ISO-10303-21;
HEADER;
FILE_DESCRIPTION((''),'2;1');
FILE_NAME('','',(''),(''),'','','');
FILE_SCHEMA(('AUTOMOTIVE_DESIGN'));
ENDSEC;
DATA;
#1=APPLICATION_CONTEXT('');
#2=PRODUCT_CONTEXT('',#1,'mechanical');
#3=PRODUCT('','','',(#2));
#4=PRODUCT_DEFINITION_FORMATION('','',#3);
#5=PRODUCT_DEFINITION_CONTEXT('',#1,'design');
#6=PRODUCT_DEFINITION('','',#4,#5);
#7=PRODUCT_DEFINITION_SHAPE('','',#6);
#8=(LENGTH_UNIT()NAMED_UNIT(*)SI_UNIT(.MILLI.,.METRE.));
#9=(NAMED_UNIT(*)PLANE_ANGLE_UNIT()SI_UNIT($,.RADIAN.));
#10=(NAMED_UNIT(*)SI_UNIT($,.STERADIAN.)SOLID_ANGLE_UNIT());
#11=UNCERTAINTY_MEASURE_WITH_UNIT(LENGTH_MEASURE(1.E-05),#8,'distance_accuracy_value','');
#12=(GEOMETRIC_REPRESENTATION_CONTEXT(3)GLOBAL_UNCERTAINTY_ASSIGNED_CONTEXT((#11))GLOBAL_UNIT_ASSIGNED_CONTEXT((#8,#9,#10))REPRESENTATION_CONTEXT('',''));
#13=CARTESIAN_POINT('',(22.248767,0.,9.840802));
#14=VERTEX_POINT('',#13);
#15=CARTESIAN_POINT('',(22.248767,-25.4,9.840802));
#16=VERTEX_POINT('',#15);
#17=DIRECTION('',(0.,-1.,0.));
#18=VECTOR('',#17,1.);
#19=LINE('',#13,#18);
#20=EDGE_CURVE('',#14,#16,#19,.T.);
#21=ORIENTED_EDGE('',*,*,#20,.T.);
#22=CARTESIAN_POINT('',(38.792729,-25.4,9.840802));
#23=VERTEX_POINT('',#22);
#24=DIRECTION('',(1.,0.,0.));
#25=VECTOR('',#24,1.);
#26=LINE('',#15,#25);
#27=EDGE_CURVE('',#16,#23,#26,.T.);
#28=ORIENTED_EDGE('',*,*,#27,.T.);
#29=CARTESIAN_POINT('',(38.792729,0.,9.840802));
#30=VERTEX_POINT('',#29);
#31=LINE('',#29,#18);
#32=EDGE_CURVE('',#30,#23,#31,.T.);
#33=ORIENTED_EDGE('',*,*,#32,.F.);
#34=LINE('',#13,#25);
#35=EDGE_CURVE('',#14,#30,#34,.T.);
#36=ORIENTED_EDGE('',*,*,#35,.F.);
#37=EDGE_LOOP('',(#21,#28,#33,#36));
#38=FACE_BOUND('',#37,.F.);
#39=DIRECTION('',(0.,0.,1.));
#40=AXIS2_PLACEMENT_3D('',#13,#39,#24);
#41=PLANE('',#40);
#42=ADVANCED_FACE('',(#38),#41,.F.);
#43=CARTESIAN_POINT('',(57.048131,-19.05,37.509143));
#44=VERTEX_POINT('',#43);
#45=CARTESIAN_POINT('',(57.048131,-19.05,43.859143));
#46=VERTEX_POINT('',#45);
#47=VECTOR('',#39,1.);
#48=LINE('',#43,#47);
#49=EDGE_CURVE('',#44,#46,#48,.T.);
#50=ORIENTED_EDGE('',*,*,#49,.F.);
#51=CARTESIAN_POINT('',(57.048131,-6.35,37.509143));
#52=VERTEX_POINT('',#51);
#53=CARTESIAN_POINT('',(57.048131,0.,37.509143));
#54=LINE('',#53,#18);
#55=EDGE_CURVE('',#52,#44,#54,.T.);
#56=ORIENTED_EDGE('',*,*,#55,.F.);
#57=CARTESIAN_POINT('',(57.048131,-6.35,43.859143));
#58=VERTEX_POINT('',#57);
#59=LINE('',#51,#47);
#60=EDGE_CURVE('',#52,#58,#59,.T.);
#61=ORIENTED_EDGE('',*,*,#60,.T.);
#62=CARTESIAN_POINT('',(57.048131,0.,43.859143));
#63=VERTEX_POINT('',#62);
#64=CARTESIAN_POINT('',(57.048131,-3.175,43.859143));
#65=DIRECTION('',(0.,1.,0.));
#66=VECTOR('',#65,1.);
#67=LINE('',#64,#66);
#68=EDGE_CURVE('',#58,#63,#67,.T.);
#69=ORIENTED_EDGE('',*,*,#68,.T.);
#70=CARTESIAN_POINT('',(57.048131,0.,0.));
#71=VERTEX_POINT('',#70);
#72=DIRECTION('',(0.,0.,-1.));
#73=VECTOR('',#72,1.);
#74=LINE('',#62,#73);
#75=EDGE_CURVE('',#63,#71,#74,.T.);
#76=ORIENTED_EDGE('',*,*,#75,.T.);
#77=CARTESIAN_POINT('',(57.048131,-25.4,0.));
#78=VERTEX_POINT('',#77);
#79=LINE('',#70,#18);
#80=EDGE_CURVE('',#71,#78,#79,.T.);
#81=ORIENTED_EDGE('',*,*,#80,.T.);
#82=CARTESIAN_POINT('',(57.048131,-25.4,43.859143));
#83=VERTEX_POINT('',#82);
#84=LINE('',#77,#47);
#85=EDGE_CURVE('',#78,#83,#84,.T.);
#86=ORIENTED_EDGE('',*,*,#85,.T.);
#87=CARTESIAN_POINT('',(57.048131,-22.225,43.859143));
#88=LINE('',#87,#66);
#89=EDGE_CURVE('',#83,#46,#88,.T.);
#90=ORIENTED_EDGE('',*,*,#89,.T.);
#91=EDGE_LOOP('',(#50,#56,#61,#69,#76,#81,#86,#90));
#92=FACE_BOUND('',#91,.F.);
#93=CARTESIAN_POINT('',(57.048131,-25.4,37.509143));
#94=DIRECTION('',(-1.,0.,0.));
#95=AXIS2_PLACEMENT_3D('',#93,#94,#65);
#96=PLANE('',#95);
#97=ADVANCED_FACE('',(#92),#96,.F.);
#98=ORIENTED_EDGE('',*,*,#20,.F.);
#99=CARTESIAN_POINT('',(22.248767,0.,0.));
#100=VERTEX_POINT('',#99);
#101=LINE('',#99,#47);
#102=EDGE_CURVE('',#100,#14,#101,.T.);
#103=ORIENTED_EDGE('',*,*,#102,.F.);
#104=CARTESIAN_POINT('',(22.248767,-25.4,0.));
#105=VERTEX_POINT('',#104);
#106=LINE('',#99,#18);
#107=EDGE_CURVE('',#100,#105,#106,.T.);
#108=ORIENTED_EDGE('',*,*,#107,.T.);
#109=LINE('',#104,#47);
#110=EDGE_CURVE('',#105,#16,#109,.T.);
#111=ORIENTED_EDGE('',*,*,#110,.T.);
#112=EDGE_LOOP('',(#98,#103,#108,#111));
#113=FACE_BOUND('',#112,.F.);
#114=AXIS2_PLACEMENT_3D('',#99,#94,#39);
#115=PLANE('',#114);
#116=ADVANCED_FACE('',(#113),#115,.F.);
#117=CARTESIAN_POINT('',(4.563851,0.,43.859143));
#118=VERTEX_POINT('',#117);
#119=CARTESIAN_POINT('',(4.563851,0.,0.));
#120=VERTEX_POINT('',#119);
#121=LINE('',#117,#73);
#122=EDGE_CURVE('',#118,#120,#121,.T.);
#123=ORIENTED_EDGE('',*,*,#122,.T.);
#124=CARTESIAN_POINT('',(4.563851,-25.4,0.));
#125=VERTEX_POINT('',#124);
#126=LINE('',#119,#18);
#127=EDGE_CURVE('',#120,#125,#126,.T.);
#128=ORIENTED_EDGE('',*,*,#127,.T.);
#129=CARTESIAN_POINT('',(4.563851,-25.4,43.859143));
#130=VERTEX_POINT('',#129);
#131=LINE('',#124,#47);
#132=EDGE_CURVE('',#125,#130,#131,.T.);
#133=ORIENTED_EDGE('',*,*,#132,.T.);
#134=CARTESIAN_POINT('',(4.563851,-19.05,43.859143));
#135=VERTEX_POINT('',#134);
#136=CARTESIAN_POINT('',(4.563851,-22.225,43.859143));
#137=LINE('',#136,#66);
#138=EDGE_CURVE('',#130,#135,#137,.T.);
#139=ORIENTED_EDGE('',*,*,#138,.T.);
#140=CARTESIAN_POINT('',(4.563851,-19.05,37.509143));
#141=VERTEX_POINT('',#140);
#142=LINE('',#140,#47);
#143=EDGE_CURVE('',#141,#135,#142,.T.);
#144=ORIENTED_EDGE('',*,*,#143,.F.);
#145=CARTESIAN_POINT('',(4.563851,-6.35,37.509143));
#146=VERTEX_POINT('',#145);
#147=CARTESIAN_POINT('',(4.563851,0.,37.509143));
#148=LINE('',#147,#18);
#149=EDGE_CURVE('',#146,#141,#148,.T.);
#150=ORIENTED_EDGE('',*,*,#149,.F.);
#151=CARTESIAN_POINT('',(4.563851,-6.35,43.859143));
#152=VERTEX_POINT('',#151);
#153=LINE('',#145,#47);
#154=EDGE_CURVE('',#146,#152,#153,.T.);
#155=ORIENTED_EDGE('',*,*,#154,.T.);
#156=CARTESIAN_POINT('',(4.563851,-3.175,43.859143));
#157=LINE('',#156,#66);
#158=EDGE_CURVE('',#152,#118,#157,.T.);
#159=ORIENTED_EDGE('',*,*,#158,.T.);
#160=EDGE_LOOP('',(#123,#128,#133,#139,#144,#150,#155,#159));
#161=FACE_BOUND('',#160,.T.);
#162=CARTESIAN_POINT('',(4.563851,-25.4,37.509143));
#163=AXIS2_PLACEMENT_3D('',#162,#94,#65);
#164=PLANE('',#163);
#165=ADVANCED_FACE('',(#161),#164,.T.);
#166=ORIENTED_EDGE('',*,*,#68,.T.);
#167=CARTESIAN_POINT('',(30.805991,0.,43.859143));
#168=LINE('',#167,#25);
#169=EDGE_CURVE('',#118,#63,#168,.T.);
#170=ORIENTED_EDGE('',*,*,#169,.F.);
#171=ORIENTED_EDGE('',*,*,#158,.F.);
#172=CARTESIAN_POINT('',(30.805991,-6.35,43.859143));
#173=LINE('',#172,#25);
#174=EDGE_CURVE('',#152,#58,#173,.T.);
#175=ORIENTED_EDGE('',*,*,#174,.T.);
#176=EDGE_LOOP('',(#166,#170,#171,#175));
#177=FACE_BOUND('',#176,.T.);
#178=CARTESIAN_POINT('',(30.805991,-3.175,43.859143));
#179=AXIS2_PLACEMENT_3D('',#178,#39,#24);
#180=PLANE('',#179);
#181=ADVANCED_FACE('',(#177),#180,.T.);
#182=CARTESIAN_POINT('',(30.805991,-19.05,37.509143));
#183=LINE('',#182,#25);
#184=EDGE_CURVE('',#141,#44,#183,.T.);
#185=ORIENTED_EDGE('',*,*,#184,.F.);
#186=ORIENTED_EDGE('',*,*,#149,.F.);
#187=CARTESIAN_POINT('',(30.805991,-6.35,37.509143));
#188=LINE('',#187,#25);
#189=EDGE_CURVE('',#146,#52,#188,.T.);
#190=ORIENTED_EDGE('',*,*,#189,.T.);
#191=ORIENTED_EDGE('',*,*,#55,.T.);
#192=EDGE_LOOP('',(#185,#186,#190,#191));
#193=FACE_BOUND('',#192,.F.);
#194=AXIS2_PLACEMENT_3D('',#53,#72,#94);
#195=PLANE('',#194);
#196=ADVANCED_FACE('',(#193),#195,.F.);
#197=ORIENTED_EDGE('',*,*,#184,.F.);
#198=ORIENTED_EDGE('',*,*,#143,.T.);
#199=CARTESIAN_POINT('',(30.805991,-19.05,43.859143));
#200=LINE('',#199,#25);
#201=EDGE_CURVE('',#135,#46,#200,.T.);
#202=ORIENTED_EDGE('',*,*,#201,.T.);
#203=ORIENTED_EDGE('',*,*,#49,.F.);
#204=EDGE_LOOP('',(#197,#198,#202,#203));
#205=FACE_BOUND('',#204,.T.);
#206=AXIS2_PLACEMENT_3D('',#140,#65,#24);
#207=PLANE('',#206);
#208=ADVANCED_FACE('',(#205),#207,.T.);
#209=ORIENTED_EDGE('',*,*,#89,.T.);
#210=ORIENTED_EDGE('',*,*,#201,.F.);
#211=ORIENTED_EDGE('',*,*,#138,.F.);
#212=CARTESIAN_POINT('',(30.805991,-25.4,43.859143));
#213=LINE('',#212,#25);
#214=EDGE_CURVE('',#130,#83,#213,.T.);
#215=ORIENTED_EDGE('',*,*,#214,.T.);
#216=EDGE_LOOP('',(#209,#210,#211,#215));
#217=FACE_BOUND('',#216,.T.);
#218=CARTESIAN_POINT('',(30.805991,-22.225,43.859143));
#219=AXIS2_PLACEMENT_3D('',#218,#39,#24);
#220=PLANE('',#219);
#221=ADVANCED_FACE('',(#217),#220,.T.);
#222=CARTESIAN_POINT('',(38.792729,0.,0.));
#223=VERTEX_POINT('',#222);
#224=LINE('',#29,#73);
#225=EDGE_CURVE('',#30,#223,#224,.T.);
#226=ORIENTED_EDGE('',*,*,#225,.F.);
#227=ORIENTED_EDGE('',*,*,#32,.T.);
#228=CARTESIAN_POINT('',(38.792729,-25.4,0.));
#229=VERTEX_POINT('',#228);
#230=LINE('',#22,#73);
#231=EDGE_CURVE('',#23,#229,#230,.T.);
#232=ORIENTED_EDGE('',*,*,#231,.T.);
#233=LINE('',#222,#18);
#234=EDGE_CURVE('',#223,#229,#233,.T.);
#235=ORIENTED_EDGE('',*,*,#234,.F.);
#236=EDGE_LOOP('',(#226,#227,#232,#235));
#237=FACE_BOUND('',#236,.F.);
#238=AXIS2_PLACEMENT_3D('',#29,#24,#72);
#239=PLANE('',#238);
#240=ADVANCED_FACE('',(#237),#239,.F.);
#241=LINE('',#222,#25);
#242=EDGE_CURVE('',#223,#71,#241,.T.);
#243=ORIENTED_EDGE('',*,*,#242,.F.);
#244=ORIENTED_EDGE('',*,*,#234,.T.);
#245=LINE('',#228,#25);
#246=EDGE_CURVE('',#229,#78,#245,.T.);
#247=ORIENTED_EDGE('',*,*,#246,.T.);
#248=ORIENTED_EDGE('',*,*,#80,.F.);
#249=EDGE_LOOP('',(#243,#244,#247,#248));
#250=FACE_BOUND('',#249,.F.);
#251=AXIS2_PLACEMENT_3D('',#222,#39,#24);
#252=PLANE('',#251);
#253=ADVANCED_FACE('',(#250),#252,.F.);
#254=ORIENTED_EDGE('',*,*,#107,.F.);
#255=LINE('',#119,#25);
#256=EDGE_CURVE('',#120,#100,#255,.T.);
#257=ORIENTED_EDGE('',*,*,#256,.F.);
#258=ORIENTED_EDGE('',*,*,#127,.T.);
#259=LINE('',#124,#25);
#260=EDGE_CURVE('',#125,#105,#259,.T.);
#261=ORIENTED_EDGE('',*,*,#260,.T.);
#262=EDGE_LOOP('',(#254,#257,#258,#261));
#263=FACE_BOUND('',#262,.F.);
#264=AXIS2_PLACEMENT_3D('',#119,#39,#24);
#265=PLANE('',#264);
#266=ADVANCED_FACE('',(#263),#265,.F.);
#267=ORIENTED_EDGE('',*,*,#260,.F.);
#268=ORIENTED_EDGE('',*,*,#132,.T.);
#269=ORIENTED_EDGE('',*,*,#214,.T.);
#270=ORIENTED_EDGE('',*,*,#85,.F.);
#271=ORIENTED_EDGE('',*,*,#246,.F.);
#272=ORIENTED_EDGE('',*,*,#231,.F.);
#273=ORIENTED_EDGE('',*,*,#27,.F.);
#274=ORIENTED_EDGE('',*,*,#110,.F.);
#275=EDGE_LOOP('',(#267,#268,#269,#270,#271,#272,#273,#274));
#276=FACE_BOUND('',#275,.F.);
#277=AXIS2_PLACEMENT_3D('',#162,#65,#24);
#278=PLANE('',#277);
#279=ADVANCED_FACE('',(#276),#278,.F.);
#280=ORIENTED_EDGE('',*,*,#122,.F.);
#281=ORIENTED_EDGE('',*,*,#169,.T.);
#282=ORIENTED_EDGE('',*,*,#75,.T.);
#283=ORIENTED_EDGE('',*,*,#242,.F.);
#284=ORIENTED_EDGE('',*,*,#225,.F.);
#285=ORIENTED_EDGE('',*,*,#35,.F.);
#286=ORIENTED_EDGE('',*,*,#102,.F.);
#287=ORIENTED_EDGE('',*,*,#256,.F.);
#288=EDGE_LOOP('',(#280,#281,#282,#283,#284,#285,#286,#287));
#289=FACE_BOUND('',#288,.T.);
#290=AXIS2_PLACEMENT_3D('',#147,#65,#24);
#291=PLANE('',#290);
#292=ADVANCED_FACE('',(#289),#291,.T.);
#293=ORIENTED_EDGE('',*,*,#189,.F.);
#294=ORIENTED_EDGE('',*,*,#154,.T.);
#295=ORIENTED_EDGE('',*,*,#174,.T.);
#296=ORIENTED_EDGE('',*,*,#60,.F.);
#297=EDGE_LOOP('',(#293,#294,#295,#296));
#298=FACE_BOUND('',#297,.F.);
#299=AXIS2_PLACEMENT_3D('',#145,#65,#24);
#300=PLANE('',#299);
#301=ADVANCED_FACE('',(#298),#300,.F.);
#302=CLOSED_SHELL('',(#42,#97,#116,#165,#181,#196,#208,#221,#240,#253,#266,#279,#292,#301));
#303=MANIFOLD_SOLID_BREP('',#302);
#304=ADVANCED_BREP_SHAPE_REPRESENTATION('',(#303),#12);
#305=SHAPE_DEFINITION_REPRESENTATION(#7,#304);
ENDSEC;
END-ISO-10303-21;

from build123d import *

# Parameters (mm, degrees)
F1_DEPTH = 25.4
F2_W     = 52.48428
F2_H     = 6.35
F3_DEPTH = 6.35
F4_W     = 52.48428
F4_H     = 6.35
F5_DEPTH = 6.35


with BuildPart() as f1:
    # F0 (on Front) → F1 (new body)
    with BuildSketch(Plane.XZ):
        Polygon((4.563851, 37.509143), (4.563851, 0), (22.248767, 0), (22.248767, 9.840802), (38.792729, 9.840802), (38.792729, 0), (57.048131, 0), (57.048131, 37.509143), align=None)
    extrude(amount=F1_DEPTH)

    # F2 (on face) → F3 (join)
    with BuildSketch(Plane.XY.offset(37.509143)):
        with Locations((30.805991, -3.175)):
            Rectangle(F2_W, F2_H)
    extrude(amount=F3_DEPTH)

    # F4 (on face) → F5 (join)
    with BuildSketch(Plane.XY.offset(37.509143)):
        with Locations((30.805991, -22.225)):
            Rectangle(F4_W, F4_H)
    extrude(amount=F5_DEPTH)


solid = f1.part
